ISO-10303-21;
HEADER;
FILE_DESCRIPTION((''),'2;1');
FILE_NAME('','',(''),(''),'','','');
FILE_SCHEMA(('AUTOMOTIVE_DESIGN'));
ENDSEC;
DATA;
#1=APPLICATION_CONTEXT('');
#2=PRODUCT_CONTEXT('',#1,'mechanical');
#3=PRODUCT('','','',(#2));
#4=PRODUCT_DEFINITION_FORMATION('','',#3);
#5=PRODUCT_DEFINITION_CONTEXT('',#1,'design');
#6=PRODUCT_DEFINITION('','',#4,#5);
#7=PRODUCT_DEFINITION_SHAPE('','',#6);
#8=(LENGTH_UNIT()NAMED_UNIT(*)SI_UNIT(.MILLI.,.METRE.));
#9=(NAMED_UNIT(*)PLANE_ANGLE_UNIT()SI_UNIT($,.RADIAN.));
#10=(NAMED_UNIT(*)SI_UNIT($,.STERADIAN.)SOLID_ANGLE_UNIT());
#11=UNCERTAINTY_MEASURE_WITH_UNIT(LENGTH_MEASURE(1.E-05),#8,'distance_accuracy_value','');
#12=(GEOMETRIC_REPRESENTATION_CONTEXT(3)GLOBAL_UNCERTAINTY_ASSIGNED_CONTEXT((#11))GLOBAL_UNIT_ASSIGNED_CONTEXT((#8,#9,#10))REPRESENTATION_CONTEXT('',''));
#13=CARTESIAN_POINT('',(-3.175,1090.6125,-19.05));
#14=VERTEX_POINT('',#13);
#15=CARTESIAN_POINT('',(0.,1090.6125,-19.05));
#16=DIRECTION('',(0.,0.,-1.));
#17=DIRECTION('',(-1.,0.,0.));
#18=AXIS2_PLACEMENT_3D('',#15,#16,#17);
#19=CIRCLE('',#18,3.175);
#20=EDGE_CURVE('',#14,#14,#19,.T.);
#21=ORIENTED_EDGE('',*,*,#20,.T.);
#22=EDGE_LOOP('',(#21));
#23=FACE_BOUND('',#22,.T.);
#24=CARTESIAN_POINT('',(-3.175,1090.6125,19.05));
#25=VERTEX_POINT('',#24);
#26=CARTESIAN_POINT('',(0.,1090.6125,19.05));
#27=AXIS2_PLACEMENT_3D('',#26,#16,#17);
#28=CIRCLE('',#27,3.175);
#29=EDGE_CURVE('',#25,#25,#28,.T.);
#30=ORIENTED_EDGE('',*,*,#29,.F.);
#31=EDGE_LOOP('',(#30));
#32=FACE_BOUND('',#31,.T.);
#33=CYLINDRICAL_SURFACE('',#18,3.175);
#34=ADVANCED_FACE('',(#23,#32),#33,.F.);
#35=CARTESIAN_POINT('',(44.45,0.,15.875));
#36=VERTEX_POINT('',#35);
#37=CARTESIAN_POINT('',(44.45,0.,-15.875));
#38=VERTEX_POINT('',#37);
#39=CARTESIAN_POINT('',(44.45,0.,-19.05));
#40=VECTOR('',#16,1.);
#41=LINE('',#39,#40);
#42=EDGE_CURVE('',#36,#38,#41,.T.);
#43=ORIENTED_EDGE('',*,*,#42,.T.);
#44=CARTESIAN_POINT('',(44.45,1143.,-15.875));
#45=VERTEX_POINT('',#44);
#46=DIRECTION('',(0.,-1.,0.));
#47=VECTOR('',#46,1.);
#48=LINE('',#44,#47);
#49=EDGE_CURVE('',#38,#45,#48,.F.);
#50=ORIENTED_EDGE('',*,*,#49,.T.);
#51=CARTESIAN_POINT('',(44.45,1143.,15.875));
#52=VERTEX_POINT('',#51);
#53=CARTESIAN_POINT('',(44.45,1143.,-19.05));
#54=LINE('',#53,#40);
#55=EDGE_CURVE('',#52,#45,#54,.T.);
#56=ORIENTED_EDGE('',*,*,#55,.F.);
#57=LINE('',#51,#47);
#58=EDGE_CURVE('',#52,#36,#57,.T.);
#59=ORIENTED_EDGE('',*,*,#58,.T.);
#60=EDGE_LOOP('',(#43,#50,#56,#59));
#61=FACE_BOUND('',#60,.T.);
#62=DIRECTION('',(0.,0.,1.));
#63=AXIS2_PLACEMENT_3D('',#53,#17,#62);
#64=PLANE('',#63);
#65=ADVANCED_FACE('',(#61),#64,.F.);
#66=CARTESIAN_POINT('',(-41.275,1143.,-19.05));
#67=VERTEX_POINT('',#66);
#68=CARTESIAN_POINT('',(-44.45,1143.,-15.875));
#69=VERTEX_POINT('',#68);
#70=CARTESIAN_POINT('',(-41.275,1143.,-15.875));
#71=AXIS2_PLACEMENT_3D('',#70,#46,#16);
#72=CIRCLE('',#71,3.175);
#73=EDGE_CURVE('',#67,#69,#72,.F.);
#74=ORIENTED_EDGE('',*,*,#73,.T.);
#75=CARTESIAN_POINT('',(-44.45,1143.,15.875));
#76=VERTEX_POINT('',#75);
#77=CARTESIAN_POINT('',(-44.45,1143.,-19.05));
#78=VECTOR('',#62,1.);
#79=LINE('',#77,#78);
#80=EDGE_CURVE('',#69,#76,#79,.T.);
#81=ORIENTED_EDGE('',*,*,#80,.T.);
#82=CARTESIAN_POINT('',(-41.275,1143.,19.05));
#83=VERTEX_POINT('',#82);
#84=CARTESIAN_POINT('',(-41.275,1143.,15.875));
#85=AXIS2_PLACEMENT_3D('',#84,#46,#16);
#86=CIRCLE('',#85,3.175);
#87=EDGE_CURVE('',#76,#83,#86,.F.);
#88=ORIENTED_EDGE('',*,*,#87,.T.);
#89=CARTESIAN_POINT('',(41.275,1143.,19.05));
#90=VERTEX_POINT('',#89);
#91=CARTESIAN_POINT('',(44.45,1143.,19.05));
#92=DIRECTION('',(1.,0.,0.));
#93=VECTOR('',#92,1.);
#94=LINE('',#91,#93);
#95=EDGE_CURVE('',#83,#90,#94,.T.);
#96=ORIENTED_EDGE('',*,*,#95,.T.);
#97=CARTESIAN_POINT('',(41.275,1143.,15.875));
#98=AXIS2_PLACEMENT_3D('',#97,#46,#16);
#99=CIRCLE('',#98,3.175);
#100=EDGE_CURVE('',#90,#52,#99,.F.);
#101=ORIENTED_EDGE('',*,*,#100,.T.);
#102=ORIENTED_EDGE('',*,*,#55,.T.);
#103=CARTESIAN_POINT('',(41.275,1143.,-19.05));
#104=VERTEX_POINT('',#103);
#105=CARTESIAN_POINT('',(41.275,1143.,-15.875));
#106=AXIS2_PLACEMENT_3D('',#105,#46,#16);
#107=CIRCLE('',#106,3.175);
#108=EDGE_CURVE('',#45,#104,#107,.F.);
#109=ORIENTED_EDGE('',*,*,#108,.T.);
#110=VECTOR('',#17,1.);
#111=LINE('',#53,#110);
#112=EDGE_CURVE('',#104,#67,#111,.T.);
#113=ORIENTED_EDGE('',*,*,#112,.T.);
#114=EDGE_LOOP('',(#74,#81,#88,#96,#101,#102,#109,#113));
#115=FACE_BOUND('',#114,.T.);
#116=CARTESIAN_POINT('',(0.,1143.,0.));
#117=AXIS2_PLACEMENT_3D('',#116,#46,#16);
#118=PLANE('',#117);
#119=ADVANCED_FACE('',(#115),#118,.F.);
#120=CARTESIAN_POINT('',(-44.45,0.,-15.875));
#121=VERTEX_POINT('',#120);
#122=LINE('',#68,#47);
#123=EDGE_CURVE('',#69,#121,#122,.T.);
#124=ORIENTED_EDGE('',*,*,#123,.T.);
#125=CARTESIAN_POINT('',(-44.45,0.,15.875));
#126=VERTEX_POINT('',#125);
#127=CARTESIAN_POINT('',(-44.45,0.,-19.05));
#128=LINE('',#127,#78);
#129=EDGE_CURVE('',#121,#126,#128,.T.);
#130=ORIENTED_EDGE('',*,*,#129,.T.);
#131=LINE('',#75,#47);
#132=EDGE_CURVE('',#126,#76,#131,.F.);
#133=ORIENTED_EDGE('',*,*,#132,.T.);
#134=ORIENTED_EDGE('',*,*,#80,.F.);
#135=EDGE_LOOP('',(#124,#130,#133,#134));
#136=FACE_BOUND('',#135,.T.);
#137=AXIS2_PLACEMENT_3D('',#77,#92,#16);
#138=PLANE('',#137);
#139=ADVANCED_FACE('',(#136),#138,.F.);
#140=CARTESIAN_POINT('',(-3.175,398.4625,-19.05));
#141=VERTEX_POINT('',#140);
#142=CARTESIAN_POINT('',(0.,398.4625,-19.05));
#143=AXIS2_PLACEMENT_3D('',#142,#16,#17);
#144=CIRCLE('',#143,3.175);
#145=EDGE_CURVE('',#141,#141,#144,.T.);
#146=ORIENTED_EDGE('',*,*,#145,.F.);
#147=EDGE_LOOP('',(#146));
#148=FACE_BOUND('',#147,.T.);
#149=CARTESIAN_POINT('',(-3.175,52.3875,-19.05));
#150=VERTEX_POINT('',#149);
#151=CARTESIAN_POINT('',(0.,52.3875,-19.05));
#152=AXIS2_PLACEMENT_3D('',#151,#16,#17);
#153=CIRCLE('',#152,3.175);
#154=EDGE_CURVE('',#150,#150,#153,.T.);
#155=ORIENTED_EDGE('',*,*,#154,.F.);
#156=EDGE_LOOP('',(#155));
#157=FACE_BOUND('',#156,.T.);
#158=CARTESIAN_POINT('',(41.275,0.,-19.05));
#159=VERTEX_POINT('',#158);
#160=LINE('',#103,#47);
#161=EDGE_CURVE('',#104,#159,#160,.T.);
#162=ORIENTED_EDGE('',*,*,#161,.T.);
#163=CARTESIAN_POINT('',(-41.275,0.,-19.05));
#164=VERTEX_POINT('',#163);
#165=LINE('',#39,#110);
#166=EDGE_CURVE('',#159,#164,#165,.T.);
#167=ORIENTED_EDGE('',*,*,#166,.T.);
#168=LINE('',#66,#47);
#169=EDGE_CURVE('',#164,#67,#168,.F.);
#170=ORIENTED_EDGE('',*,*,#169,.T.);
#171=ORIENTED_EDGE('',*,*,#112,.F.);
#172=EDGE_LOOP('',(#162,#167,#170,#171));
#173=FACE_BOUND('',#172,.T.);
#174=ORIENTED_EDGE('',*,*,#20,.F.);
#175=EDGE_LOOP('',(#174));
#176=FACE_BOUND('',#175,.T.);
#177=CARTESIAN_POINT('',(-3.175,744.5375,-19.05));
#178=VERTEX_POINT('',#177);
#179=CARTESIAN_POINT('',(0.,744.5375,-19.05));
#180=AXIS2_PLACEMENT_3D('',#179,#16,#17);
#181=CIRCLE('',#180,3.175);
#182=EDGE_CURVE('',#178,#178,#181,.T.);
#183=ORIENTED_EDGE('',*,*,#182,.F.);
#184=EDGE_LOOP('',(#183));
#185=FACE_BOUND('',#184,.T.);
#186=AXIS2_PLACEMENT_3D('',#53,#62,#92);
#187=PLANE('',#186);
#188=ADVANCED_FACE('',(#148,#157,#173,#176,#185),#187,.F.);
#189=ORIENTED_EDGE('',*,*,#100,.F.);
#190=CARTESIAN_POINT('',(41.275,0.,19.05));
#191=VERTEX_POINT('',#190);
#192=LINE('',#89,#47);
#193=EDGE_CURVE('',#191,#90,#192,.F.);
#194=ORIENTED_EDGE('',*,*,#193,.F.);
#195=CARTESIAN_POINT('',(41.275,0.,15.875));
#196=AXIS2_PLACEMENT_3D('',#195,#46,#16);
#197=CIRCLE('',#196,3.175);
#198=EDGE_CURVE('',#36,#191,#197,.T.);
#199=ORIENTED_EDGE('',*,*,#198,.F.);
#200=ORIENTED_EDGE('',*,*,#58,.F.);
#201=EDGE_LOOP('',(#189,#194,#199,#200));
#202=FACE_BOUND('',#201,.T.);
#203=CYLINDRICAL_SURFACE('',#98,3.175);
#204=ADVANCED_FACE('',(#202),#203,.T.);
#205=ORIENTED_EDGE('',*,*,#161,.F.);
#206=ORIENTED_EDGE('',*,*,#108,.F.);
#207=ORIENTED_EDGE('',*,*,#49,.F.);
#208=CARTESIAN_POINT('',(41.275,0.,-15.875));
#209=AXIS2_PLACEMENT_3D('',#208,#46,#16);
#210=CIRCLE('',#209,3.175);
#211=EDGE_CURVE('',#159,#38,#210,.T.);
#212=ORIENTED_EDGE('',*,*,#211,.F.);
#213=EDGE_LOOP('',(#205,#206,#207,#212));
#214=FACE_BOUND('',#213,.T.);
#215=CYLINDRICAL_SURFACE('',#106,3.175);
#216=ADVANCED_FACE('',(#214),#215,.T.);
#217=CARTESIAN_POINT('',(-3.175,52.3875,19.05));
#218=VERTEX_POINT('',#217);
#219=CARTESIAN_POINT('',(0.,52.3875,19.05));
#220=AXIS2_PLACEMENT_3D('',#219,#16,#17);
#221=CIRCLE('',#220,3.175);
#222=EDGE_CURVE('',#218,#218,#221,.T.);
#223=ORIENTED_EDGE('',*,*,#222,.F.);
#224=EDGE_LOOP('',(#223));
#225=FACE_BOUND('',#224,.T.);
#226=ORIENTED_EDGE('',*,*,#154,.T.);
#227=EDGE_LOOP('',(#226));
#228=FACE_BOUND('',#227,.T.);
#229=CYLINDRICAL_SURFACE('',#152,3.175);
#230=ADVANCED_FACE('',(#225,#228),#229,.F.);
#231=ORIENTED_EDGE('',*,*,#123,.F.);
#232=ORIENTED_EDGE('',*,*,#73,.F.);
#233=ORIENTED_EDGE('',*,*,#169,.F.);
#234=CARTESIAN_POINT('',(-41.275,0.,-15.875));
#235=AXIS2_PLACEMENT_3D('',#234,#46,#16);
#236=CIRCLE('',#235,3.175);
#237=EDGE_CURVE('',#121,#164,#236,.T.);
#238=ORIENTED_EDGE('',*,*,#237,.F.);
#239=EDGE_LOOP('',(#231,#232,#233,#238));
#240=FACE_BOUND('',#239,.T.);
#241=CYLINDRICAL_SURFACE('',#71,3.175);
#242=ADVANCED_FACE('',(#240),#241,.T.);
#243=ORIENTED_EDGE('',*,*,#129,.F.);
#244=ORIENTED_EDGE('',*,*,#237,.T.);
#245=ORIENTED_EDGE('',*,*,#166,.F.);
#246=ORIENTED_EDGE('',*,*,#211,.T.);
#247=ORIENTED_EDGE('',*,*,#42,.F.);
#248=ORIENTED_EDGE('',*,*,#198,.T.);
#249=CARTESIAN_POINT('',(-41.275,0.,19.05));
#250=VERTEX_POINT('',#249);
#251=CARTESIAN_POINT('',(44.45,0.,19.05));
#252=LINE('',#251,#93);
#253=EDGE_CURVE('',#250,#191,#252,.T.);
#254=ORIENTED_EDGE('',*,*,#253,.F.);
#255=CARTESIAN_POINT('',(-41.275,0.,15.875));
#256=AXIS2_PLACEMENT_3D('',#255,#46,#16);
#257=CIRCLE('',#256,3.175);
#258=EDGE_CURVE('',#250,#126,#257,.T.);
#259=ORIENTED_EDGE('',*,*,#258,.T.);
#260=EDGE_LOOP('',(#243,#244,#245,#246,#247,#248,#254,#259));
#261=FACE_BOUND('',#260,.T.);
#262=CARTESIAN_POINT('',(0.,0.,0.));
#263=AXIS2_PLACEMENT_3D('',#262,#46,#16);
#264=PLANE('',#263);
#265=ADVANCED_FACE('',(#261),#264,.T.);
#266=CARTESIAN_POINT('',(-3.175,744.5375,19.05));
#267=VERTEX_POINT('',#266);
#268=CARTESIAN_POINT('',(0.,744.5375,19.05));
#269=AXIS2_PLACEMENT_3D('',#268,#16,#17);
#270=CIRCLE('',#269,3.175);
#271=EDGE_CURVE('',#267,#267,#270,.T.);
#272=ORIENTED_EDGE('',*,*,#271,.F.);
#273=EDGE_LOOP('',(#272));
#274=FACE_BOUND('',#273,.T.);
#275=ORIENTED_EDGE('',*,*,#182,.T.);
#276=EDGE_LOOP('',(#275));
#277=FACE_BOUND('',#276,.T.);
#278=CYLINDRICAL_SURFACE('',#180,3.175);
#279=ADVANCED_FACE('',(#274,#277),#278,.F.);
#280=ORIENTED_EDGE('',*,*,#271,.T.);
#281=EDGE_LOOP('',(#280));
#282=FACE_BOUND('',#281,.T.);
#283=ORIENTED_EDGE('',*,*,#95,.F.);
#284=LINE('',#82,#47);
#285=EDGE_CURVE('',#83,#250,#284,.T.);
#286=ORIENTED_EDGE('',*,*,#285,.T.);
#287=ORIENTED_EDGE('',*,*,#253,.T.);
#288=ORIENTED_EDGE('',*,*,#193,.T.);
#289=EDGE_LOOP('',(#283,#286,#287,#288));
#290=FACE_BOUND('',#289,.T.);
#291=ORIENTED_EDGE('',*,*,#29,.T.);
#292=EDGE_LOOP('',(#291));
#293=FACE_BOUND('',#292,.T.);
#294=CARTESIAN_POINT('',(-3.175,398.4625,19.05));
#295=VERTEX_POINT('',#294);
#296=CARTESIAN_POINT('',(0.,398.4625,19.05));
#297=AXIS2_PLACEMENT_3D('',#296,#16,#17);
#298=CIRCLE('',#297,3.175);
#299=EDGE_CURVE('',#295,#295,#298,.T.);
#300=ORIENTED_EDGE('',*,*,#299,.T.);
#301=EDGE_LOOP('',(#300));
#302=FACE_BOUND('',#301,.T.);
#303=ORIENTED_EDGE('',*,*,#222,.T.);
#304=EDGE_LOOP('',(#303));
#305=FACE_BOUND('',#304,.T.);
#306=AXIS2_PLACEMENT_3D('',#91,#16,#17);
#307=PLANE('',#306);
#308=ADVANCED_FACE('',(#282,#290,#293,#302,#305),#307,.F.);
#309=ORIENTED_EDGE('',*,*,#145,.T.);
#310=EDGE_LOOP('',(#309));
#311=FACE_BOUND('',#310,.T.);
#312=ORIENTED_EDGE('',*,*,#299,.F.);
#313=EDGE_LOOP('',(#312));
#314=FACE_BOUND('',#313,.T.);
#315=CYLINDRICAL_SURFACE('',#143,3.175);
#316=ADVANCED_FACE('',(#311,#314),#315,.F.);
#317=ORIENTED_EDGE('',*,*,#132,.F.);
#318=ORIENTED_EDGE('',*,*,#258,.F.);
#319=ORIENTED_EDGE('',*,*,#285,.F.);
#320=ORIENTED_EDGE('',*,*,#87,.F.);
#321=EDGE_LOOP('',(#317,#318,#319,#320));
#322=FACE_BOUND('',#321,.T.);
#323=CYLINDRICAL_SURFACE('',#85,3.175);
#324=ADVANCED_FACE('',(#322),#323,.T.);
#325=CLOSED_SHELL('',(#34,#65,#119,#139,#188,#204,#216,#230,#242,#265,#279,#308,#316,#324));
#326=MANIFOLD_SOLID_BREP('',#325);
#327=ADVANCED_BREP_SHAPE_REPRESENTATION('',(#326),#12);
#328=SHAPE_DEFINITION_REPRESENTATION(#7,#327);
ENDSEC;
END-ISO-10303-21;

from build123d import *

# Parameters (mm, degrees)
SKETCH1_W                   = 88.9
SKETCH1_H                   = 38.1
BOSS_EXTRUDE1_DEPTH         = 1143
F_1_4_0_25_DIAMETER_HOLE1_D = 6.35
FILLET1_R                   = 3.175


with BuildPart() as part:
    # Sketch1 → Boss-Extrude1 (new body)
    with BuildSketch(Plane(origin=(0, 0, 0), x_dir=(1, 0, 0), z_dir=(0, 1, 0))):
        Rectangle(SKETCH1_W, SKETCH1_H)
    extrude(amount=BOSS_EXTRUDE1_DEPTH)

    # 1/4 (0.25) Diameter Hole1 (through all)
    with Locations(Plane(origin=(0, 0, -19.05), x_dir=(-1, 0, 0), z_dir=(0, 0, -1))):
        with Locations((0, 52.3875), (0, 398.4625), (0, 744.5375), (0, 1090.6125)):
            Hole(F_1_4_0_25_DIAMETER_HOLE1_D / 2)

    # Fillet1
    fillet1_edges = [part.edges().sort_by_distance(p)[0] for p in [
        (-44.45, 571.5, -19.05),
        (44.45, 571.5, -19.05),
        (44.45, 571.5, 19.05),
        (-44.45, 571.5, 19.05),
    ]]
    fillet(fillet1_edges, radius=FILLET1_R)


solid = part.part
